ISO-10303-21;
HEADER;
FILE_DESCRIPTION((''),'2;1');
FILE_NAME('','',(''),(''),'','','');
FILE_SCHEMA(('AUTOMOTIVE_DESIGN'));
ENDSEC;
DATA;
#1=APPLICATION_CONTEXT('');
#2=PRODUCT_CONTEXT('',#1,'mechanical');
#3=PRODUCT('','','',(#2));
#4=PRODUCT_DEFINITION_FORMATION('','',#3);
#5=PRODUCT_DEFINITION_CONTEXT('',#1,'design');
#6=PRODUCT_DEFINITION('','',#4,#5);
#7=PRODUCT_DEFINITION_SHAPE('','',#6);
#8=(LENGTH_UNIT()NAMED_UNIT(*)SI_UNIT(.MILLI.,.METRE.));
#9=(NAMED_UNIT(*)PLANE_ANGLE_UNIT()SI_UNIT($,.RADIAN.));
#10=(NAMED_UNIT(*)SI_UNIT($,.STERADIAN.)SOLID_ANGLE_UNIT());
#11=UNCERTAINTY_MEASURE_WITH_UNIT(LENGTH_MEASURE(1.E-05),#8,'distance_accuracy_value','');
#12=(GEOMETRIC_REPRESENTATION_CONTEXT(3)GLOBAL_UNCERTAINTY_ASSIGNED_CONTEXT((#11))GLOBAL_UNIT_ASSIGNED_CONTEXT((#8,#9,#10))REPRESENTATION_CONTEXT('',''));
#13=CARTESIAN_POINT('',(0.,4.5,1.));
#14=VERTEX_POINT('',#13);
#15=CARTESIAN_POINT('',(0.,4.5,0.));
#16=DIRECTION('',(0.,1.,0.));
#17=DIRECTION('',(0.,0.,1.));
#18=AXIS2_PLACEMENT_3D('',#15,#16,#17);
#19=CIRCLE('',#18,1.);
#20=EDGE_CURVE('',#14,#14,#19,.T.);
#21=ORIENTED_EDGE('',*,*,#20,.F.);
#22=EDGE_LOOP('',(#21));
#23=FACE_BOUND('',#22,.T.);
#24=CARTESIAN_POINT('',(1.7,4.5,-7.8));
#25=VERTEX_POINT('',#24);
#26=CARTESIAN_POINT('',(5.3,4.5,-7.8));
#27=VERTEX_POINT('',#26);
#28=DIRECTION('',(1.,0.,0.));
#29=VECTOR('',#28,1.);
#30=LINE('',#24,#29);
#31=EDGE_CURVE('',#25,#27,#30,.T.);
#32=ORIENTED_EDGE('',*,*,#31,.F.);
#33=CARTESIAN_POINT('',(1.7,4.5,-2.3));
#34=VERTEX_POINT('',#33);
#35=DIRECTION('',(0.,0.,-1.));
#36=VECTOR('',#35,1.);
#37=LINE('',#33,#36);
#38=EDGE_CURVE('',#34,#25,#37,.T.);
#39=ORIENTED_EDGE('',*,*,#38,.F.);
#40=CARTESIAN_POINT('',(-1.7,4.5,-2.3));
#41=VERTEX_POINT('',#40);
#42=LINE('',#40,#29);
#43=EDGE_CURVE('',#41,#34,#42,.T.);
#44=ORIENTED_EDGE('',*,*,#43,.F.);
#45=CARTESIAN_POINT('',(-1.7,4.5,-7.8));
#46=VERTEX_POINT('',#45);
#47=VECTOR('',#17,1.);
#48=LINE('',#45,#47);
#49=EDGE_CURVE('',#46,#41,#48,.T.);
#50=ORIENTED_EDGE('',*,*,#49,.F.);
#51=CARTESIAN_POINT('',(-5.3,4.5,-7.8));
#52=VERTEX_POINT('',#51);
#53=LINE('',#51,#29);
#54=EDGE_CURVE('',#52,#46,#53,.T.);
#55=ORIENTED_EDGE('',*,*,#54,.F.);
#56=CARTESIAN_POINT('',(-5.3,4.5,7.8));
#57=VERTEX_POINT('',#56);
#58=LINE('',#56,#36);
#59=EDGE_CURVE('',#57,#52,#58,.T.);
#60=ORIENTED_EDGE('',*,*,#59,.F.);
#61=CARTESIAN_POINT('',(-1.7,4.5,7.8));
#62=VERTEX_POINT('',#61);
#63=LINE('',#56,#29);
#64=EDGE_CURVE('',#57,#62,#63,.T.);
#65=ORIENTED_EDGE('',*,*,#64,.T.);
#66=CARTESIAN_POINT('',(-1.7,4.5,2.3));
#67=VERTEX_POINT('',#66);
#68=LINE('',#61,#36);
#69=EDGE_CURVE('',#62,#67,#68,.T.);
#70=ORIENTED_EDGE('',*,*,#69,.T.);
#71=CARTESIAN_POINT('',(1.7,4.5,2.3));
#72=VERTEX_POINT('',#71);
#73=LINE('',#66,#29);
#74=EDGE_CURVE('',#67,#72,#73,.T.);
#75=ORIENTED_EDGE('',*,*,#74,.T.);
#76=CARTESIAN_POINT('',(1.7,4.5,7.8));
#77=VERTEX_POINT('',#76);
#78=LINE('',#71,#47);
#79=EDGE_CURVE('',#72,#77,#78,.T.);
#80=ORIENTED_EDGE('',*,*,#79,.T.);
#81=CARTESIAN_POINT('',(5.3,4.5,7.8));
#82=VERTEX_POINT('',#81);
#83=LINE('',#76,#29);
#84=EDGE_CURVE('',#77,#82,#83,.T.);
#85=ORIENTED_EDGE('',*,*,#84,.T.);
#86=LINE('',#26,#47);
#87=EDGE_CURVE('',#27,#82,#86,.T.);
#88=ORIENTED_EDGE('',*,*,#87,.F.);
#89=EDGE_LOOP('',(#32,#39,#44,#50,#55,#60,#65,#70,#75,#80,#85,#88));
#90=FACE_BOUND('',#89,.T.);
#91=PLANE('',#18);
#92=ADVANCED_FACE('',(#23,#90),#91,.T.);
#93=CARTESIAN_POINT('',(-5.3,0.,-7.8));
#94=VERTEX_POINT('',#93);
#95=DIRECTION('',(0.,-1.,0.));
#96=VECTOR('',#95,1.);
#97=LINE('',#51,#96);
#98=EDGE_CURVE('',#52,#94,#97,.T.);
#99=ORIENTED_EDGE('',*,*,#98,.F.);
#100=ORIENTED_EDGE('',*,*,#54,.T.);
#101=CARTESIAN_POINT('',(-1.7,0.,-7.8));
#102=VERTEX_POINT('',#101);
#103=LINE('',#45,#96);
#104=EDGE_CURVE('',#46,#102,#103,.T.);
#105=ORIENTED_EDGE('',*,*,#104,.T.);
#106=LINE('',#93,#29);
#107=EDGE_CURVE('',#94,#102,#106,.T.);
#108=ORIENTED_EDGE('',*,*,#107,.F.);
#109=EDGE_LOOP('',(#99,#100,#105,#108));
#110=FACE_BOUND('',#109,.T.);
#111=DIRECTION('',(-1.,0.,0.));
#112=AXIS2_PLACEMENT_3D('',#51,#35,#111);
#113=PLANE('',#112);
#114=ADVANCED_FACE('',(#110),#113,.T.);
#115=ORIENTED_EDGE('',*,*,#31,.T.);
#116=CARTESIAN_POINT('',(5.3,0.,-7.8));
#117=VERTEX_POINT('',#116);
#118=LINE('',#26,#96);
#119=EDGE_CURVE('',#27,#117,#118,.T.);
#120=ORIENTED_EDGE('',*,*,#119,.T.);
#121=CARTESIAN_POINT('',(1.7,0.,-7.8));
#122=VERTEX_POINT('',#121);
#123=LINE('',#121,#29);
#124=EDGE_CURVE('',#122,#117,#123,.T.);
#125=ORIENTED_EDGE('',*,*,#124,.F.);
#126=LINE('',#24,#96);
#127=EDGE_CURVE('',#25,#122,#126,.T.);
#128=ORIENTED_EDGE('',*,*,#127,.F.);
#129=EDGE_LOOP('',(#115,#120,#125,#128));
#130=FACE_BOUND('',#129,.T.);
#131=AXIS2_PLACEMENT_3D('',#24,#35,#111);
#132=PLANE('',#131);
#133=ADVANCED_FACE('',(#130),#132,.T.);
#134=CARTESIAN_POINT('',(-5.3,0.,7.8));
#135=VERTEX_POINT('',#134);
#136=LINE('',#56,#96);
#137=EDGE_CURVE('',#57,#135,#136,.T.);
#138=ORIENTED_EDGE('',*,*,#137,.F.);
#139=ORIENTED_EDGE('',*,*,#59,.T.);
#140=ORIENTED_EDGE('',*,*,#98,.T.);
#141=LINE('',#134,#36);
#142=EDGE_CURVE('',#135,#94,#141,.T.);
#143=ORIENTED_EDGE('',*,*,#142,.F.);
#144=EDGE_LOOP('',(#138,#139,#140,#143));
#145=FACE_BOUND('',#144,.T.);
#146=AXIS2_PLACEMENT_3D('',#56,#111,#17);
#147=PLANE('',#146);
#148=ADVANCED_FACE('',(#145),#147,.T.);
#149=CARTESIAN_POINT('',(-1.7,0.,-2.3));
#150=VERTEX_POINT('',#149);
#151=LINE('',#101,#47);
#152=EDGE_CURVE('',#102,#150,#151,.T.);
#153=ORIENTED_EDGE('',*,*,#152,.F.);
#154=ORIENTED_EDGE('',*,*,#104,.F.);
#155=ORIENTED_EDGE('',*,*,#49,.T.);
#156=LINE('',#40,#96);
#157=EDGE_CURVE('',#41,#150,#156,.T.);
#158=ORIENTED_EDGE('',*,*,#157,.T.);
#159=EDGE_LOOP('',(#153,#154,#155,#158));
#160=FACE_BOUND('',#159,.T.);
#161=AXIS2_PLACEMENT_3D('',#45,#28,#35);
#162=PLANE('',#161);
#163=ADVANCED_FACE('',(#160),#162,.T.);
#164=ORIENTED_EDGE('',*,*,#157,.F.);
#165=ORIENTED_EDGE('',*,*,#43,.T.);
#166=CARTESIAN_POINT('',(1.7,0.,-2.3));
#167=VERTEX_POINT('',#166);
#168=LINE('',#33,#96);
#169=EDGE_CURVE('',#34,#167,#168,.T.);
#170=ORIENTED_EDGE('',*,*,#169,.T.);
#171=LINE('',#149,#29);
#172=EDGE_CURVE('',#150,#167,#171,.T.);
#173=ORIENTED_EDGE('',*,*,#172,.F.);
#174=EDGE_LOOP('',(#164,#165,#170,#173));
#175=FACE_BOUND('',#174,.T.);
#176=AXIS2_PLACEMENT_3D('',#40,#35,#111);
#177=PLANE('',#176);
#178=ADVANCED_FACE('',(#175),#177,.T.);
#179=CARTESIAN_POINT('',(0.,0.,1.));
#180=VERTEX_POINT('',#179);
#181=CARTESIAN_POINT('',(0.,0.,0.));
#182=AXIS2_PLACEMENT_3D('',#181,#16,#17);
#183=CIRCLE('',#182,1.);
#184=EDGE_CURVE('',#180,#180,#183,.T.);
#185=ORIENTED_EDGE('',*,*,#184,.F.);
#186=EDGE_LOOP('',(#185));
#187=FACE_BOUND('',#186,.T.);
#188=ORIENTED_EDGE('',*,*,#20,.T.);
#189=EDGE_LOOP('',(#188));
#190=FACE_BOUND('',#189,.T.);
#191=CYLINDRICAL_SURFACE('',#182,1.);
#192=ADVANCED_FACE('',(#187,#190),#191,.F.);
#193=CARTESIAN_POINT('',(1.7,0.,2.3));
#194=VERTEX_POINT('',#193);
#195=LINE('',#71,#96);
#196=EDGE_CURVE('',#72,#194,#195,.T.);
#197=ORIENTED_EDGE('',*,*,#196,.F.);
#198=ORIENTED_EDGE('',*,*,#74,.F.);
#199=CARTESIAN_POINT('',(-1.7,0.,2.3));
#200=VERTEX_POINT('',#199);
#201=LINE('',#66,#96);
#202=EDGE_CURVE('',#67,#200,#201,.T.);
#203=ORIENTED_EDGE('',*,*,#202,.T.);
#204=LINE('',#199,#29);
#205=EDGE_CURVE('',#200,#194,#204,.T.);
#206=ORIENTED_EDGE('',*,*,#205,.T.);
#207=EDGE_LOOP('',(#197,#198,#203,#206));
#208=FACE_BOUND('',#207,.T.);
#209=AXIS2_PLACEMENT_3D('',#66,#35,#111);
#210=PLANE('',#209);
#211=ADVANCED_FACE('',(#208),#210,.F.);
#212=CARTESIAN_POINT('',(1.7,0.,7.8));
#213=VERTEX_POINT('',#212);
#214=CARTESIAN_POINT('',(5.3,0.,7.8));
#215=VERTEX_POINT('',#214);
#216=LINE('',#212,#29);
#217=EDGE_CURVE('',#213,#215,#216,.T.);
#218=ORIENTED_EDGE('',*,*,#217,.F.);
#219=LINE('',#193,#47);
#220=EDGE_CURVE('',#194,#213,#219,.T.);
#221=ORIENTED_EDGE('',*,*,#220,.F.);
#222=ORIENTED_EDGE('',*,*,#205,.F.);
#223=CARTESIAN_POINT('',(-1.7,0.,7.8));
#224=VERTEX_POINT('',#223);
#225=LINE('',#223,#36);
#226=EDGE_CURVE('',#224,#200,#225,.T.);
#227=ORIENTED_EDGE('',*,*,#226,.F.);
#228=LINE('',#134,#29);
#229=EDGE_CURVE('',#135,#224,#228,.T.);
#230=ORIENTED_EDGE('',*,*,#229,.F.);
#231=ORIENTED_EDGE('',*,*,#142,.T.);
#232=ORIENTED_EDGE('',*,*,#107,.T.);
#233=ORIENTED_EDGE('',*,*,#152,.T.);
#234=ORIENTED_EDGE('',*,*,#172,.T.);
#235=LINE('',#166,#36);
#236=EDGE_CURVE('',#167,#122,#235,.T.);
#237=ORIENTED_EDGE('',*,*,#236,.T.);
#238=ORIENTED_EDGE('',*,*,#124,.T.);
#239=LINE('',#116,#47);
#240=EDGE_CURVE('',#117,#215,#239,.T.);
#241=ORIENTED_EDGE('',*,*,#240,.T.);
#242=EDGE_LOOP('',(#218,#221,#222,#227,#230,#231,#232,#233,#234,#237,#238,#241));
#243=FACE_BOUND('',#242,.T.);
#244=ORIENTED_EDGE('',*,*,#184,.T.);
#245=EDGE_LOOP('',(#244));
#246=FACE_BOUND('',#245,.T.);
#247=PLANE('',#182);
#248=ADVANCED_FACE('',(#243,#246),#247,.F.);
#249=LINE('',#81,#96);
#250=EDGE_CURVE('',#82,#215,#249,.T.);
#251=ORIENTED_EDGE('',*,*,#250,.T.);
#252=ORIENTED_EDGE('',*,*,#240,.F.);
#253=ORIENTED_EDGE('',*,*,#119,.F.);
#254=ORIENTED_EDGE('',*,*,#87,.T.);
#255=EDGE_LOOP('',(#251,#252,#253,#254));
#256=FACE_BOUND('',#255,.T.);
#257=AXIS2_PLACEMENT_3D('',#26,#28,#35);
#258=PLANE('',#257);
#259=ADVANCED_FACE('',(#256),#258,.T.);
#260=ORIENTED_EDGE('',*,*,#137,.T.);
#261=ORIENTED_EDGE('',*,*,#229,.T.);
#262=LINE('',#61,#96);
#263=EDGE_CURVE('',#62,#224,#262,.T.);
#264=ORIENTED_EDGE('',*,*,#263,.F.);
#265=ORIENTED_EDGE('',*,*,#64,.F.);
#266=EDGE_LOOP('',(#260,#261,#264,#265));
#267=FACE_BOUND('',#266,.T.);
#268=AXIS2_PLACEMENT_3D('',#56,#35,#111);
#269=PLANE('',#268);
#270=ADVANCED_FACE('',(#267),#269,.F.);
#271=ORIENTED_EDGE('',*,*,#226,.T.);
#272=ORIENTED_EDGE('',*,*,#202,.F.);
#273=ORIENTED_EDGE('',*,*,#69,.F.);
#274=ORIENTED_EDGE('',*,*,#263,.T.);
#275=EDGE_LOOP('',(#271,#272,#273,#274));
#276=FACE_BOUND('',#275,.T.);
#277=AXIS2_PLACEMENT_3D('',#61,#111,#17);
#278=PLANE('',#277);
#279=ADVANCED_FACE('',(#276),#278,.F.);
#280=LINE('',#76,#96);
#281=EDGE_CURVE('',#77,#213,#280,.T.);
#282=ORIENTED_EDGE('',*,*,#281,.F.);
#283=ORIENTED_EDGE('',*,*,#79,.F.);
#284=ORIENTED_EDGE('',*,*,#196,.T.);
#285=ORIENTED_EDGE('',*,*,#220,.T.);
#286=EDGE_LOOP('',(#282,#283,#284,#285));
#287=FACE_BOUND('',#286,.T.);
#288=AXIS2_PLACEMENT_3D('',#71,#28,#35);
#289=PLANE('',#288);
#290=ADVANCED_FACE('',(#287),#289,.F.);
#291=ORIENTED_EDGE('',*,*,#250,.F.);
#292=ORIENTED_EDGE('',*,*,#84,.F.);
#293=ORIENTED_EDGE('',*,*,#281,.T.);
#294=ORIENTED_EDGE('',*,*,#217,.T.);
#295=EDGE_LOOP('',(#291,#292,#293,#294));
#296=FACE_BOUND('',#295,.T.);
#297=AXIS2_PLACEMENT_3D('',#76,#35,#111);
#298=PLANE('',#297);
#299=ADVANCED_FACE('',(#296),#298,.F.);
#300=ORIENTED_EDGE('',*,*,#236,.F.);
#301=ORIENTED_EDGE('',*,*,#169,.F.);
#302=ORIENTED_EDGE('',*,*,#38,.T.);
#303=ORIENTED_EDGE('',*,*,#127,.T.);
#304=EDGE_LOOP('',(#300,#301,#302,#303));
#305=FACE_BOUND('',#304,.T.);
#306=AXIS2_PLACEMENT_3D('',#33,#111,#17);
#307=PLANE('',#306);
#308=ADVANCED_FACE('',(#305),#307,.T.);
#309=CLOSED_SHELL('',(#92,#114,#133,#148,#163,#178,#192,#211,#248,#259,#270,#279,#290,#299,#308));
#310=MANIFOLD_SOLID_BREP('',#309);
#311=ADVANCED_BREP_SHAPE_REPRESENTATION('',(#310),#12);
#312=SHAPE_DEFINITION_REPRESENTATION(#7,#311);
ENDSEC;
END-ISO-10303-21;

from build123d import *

# Parameters (mm, degrees)
BOSS_EXTRU_1_DEPTH      = 4.5
ESQUISSE2_R             = 1
ENL_V_MAT_EXTRU_1_DEPTH = 11.44892339


with BuildPart() as part:
    # Esquisse1 → Boss.-Extru.1 (new body)
    with BuildSketch(Plane(origin=(0, 0, 0), x_dir=(1, 0, 0), z_dir=(0, 1, 0))):
        Polygon((-5.3, -7.8), (-5.3, 7.8), (-1.7, 7.8), (-1.7, 2.3), (1.7, 2.3), (1.7, 7.8), (5.3, 7.8), (5.3, -7.8), (1.7, -7.8), (1.7, -2.3), (-1.7, -2.3), (-1.7, -7.8), align=None)
    extrude(amount=BOSS_EXTRU_1_DEPTH)

    # Esquisse2 → Enlèv. mat.-Extru.1 (cut, through all)
    with BuildSketch(Plane(origin=(0, 4.5, 0), x_dir=(1, 0, 0), z_dir=(0, 1, 0))):
        with Locations(Location((0, 0, 0), (0, 0, 270))):
            Circle(ESQUISSE2_R)
    extrude(amount=-ENL_V_MAT_EXTRU_1_DEPTH, mode=Mode.SUBTRACT)


solid = part.part
